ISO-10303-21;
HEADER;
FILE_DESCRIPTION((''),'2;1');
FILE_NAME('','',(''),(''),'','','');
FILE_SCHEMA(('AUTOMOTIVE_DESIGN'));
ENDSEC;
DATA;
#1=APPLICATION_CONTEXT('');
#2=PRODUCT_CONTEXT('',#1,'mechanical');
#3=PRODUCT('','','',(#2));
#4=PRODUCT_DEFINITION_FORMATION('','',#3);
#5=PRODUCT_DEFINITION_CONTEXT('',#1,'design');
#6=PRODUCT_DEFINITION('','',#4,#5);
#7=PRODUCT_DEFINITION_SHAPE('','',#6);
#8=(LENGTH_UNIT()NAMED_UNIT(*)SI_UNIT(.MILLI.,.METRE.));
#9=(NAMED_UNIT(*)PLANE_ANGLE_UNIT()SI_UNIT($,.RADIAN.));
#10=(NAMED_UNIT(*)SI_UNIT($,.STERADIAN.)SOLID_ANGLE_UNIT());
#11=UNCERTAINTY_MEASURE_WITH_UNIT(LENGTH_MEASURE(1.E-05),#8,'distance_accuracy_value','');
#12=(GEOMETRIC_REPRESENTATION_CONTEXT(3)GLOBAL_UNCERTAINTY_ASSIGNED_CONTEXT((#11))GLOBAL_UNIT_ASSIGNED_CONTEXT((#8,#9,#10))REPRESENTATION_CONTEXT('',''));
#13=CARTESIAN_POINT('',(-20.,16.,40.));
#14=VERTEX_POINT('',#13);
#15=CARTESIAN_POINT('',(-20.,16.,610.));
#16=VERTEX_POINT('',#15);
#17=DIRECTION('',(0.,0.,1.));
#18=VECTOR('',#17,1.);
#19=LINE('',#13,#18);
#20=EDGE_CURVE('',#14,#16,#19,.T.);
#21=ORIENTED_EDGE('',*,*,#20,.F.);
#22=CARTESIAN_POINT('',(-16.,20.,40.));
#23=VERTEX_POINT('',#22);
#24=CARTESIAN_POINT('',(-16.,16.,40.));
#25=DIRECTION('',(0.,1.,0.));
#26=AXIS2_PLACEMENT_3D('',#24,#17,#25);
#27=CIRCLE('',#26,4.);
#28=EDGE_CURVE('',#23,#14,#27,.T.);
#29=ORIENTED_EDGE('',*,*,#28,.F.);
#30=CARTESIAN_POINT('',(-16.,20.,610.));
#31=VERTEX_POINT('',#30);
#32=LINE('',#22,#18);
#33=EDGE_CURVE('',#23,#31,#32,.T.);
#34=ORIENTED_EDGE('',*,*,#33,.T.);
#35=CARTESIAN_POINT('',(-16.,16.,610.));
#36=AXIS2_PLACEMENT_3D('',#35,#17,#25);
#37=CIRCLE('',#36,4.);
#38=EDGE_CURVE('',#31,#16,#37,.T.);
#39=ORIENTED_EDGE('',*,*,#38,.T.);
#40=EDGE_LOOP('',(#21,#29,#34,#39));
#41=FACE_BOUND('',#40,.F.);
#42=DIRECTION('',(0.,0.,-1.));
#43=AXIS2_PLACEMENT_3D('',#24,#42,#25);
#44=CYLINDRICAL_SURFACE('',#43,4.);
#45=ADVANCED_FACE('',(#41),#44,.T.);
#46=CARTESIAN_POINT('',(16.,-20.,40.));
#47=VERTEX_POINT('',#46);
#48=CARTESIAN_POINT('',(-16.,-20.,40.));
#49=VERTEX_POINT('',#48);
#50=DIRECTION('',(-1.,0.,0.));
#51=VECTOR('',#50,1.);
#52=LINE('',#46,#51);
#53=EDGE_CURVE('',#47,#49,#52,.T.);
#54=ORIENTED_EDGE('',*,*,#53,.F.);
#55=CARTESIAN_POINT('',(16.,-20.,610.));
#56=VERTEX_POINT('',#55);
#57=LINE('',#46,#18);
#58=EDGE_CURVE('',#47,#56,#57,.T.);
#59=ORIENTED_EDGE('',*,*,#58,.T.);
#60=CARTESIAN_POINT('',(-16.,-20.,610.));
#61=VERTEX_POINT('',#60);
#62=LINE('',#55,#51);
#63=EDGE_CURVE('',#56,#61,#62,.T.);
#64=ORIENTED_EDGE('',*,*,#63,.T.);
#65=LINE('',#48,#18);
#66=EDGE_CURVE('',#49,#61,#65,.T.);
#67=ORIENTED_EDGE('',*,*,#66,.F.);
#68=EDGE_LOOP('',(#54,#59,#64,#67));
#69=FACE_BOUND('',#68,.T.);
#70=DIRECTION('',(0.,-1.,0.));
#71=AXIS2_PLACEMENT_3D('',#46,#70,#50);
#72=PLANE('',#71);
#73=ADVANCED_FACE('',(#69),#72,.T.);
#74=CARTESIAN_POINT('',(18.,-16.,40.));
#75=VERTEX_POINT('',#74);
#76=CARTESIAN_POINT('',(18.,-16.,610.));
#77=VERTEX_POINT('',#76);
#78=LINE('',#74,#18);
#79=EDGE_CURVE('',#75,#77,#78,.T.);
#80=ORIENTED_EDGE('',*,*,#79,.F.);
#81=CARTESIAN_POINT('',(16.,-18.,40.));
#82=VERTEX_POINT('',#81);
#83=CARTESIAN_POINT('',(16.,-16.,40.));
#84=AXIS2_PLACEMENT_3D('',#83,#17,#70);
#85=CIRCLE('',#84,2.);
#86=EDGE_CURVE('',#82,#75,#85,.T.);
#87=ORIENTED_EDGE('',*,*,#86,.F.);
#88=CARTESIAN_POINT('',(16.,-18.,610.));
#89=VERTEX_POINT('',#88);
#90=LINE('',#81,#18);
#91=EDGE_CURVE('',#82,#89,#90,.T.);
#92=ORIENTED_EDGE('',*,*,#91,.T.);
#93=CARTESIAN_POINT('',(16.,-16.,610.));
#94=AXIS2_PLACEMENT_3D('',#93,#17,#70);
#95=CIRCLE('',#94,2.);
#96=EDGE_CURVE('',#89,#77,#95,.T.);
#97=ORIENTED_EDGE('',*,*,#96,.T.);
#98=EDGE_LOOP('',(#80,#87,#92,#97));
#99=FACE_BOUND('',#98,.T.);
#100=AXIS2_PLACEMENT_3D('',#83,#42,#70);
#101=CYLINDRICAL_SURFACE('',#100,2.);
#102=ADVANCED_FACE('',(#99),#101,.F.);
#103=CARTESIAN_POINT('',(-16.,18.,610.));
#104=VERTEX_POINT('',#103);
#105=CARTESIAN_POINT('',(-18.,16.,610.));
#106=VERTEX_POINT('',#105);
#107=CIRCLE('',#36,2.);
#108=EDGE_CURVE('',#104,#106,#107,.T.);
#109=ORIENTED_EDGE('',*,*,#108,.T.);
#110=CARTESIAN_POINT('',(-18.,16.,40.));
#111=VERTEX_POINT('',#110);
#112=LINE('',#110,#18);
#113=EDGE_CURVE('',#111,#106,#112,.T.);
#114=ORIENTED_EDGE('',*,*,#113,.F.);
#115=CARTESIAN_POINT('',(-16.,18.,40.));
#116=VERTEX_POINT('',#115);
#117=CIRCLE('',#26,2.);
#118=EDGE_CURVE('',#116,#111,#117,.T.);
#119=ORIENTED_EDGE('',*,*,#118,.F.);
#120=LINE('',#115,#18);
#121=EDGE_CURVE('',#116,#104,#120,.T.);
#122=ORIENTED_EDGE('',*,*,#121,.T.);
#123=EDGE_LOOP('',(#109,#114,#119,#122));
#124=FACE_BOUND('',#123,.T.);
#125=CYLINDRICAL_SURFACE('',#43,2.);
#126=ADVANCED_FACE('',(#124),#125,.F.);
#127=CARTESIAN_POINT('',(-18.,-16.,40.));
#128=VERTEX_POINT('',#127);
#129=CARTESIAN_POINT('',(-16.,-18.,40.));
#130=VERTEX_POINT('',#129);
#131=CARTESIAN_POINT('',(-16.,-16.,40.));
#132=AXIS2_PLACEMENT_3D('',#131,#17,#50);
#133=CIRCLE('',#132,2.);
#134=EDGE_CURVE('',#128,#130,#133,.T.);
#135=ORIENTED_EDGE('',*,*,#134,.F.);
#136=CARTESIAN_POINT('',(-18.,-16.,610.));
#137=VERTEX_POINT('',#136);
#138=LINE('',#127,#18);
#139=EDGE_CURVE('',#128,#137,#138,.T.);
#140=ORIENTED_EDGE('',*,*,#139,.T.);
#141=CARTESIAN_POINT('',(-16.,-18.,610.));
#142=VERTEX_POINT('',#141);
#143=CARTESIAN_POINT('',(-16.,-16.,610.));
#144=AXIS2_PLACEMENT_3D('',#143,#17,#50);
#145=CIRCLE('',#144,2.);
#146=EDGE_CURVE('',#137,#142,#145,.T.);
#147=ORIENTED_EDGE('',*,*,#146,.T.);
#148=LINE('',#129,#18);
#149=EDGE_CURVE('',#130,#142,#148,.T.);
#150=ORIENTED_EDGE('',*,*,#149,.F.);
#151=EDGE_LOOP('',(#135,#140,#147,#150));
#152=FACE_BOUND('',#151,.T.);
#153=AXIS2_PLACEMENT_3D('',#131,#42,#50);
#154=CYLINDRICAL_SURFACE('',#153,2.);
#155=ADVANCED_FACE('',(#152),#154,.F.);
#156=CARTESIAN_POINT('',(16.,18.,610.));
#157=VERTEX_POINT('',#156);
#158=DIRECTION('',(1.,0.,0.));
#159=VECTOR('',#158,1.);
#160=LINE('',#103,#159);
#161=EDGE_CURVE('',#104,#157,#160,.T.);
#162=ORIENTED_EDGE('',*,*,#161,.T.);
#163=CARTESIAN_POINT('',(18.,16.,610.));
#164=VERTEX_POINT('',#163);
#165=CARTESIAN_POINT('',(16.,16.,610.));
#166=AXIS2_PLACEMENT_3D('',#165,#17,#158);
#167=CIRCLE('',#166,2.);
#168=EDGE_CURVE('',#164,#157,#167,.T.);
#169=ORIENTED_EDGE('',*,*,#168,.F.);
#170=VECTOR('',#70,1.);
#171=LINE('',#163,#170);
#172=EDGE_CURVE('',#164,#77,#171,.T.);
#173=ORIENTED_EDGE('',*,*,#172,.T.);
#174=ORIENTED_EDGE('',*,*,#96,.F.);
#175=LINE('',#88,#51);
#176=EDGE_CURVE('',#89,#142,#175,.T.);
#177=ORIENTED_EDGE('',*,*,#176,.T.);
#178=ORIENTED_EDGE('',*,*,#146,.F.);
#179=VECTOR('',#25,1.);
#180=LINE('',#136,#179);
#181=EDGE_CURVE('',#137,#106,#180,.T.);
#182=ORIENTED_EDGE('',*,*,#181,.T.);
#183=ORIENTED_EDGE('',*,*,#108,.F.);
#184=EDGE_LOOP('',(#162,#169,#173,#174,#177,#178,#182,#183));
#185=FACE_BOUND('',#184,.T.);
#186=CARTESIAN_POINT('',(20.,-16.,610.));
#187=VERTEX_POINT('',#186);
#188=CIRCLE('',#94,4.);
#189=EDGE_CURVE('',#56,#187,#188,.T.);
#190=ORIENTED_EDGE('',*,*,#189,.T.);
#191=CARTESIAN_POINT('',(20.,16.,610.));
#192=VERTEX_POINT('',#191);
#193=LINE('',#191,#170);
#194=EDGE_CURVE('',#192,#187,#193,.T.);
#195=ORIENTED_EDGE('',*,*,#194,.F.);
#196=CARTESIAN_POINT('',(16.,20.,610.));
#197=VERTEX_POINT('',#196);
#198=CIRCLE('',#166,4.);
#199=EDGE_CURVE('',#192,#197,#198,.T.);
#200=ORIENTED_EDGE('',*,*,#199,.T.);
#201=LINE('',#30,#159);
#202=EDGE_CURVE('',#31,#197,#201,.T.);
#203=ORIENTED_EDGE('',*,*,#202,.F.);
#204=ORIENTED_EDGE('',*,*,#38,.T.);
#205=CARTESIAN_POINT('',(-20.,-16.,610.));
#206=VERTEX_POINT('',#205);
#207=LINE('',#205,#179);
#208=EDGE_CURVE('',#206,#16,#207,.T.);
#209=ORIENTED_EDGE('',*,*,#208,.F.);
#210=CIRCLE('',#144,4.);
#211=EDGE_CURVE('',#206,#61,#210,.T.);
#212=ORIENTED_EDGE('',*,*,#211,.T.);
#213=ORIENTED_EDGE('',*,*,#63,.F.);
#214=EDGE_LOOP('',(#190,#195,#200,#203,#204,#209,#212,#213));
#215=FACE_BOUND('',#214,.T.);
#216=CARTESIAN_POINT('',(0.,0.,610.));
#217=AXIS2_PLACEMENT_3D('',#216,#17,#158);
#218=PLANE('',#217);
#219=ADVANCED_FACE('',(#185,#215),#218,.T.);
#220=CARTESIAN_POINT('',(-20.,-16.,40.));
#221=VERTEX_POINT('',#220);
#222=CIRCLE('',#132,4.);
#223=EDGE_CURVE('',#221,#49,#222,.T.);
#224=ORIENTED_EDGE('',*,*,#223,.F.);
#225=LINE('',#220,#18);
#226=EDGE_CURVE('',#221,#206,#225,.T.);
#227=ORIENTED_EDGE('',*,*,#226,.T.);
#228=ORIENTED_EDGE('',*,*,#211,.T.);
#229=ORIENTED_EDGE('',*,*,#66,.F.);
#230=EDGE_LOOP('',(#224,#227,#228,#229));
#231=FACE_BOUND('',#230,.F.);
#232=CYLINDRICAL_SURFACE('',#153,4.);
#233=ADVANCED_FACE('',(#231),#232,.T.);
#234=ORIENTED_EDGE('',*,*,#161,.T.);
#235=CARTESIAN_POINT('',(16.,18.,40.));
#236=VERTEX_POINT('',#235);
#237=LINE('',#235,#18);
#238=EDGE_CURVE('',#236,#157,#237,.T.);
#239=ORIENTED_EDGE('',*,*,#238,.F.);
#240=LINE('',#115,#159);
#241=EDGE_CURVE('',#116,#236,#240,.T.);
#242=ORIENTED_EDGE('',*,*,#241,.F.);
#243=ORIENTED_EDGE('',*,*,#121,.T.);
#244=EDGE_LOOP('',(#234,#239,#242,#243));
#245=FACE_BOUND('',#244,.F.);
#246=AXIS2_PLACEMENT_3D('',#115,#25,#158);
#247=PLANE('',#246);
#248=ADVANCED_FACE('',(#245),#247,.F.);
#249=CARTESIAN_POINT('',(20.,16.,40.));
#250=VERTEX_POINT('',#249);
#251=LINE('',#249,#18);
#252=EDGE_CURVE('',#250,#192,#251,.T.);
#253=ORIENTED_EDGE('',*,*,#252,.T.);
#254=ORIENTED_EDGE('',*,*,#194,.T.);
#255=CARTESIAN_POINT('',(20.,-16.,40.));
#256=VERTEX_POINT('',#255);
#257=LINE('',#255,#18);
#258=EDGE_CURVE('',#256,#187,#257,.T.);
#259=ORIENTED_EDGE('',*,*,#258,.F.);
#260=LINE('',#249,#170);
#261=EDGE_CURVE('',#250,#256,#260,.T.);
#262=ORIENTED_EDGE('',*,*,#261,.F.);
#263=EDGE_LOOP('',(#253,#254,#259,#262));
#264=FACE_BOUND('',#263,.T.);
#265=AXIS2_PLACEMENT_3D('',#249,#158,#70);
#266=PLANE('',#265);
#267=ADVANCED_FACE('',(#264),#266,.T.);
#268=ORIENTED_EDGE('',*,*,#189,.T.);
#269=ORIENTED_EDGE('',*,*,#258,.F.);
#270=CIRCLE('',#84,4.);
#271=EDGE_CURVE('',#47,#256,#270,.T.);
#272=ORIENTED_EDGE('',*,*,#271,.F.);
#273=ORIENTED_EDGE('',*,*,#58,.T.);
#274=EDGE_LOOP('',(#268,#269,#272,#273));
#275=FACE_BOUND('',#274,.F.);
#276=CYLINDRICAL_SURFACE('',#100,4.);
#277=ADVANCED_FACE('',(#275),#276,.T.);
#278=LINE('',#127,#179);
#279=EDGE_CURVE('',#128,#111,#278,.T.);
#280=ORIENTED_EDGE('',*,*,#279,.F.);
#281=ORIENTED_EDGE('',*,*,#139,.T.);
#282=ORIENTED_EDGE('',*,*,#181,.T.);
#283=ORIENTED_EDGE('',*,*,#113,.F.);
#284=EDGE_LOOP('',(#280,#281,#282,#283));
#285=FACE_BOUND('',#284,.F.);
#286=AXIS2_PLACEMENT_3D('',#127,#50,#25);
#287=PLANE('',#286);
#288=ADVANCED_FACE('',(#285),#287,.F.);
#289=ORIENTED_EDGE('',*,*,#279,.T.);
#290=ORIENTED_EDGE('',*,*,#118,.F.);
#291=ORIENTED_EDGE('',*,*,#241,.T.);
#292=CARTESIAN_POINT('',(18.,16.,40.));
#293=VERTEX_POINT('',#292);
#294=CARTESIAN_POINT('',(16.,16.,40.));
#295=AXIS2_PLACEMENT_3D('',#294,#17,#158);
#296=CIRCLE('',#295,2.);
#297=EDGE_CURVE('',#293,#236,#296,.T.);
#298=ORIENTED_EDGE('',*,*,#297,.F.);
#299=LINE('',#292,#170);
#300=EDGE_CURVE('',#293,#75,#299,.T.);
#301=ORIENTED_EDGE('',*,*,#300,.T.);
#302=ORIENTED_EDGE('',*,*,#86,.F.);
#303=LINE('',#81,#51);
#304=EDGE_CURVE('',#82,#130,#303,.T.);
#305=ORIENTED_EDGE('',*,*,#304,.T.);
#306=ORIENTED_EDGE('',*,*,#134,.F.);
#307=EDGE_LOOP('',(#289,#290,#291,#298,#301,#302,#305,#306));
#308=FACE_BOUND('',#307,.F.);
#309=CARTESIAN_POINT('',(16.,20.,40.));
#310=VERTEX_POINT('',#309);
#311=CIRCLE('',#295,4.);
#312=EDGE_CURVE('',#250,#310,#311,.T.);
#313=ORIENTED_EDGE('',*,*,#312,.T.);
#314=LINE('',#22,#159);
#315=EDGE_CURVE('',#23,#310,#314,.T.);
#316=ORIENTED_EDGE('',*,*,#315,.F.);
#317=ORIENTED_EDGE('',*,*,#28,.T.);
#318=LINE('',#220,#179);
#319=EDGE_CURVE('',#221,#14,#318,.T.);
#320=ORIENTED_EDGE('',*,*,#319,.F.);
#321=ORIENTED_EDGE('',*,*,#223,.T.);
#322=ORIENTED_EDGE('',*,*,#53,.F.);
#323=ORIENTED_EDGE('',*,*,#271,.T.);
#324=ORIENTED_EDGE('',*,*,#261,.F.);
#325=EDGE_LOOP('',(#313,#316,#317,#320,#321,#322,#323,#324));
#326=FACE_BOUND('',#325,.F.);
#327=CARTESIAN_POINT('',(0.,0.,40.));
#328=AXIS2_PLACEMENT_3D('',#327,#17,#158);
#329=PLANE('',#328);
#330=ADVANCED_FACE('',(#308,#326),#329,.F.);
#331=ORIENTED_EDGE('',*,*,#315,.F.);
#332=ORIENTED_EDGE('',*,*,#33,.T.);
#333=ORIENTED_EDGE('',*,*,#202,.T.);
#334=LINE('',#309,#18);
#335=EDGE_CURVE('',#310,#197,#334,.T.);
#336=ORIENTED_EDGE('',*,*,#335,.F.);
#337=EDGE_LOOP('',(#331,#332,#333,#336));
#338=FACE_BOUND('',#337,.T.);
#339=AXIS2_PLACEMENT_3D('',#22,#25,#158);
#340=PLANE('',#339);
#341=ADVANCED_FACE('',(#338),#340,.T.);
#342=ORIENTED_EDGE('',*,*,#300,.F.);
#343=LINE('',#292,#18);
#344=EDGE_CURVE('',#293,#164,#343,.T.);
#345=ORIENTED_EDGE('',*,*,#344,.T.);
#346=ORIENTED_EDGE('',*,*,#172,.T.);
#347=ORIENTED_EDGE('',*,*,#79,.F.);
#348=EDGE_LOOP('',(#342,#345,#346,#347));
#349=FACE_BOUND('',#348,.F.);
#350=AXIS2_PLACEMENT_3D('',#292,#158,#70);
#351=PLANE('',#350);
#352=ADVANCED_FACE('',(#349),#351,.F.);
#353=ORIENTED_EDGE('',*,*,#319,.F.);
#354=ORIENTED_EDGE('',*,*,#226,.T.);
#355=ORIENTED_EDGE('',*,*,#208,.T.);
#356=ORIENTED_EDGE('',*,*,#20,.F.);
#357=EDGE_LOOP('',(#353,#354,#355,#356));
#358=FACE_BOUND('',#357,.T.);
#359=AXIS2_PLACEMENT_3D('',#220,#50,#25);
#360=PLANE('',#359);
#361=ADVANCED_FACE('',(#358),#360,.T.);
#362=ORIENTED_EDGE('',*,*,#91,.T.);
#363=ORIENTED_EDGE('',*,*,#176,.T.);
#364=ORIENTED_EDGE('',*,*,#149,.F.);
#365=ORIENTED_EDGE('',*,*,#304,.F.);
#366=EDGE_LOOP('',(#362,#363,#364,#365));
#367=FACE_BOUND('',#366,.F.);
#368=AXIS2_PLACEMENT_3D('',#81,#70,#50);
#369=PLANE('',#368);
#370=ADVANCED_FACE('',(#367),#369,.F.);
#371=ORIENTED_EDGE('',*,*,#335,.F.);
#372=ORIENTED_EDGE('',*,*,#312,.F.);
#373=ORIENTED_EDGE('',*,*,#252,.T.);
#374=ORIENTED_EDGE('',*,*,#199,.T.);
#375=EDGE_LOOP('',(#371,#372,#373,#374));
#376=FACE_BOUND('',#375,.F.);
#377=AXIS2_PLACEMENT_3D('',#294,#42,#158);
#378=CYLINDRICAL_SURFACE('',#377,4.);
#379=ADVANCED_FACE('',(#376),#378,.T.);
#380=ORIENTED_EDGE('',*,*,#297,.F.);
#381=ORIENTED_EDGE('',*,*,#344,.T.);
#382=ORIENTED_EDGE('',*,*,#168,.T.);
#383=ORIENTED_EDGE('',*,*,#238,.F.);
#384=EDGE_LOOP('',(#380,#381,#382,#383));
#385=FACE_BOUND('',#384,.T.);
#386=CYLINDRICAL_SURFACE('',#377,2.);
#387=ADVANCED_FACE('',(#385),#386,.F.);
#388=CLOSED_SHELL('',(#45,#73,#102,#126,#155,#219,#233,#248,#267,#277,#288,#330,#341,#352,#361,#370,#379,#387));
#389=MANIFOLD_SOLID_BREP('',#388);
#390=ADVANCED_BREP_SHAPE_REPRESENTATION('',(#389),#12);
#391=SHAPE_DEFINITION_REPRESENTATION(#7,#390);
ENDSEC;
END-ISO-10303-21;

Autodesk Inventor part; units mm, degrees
ref_plane "YZ Plane" through (0, 0, 0) normal (1, 0, 0) x (0, 1, 0)
ref_plane "Start Plane" through (0, 0, 40) normal (0, 0, 1) x (1, 0, 0)
ref_plane "End Plane" through (0, 0, 610) normal (0, 0, 1) x (1, 0, 0)
sketch "Sketch" plane through (0, 0, 0) normal (0, 0, 1) x (1, 0, 0)
  line L0 (-20, -16) -> (-20, 16)
  line L1 (-16, 20) -> (16, 20)
  line L2 (20, 16) -> (20, -16)
  line L3 (16, -20) -> (-16, -20)
  arc A0 (-20, -16) -> (-16, -20) centre (-16, -16) ccw
  arc A1 (20, 16) -> (16, 20) centre (16, 16) ccw
  arc A2 (-16, 20) -> (-20, 16) centre (-16, 16) ccw
  arc A3 (16, -20) -> (20, -16) centre (16, -16) ccw
  arc A4 (-16, 18) -> (-18, 16) centre (-16, 16) ccw
  line L4 (-16, 18) -> (16, 18)
  arc A5 (18, 16) -> (16, 18) centre (16, 16) ccw
  line L5 (18, 16) -> (18, -16)
  arc A6 (16, -18) -> (18, -16) centre (16, -16) ccw
  line L6 (16, -18) -> (-16, -18)
  arc A7 (-18, -16) -> (-16, -18) centre (-16, -16) ccw
  line L7 (-18, -16) -> (-18, 16)
  line L8 (0, 29.1598) -> (0, -29.1598) construction
  line L9 (-29.1598, 0) -> (29.1598, 0) construction
  dimension "d7" = 4
  dimension "d9" = 40
  dimension "d11" = 40
  dimension "d12" = 2
  dimension "d15" = 20
  dimension "d16" = 20
extrude "Body" add sketch "Sketch" along normal up to surface (570 mm away) from surface at 40
sketch "Sketch3" plane through (0, 0, 0) normal (0, 0, 1) x (1, 0, 0)
  line L0 (0, 0) -> (10, 0)
ref_plane "Work Plane3" through (0, 0, 0) normal (0, -1, 0) x (1, 0, 0)
sketch "Sketch4" plane through (0, 0, 0) normal (0, -1, 0) x (1, 0, 0)
  line L0 (-2, 40) -> (12, 40) projected
  line L1 (-2, 610) -> (12, 610) projected
  dimension "d18" = 570
equation "\"d7\" = G_IR"
equation "\"d9\" = G_W"
equation "\"d11\" = G_H"
equation "\"d12\" = G_T"
equation "\"d15\" = 0.5 * d9"
equation "\"d16\" = 0.5 * d11"
equation "\"d3\" = G_L"
equation "\"G_W\" = 40"
equation "\"G_H\" = 40"
equation "\"G_T\" = 2"
equation "\"G_IR\" = 4"
equation "\"G_L\" = d18"
properties part number "ISO 4019 - 40x40x2 - 570" material "Steel"
